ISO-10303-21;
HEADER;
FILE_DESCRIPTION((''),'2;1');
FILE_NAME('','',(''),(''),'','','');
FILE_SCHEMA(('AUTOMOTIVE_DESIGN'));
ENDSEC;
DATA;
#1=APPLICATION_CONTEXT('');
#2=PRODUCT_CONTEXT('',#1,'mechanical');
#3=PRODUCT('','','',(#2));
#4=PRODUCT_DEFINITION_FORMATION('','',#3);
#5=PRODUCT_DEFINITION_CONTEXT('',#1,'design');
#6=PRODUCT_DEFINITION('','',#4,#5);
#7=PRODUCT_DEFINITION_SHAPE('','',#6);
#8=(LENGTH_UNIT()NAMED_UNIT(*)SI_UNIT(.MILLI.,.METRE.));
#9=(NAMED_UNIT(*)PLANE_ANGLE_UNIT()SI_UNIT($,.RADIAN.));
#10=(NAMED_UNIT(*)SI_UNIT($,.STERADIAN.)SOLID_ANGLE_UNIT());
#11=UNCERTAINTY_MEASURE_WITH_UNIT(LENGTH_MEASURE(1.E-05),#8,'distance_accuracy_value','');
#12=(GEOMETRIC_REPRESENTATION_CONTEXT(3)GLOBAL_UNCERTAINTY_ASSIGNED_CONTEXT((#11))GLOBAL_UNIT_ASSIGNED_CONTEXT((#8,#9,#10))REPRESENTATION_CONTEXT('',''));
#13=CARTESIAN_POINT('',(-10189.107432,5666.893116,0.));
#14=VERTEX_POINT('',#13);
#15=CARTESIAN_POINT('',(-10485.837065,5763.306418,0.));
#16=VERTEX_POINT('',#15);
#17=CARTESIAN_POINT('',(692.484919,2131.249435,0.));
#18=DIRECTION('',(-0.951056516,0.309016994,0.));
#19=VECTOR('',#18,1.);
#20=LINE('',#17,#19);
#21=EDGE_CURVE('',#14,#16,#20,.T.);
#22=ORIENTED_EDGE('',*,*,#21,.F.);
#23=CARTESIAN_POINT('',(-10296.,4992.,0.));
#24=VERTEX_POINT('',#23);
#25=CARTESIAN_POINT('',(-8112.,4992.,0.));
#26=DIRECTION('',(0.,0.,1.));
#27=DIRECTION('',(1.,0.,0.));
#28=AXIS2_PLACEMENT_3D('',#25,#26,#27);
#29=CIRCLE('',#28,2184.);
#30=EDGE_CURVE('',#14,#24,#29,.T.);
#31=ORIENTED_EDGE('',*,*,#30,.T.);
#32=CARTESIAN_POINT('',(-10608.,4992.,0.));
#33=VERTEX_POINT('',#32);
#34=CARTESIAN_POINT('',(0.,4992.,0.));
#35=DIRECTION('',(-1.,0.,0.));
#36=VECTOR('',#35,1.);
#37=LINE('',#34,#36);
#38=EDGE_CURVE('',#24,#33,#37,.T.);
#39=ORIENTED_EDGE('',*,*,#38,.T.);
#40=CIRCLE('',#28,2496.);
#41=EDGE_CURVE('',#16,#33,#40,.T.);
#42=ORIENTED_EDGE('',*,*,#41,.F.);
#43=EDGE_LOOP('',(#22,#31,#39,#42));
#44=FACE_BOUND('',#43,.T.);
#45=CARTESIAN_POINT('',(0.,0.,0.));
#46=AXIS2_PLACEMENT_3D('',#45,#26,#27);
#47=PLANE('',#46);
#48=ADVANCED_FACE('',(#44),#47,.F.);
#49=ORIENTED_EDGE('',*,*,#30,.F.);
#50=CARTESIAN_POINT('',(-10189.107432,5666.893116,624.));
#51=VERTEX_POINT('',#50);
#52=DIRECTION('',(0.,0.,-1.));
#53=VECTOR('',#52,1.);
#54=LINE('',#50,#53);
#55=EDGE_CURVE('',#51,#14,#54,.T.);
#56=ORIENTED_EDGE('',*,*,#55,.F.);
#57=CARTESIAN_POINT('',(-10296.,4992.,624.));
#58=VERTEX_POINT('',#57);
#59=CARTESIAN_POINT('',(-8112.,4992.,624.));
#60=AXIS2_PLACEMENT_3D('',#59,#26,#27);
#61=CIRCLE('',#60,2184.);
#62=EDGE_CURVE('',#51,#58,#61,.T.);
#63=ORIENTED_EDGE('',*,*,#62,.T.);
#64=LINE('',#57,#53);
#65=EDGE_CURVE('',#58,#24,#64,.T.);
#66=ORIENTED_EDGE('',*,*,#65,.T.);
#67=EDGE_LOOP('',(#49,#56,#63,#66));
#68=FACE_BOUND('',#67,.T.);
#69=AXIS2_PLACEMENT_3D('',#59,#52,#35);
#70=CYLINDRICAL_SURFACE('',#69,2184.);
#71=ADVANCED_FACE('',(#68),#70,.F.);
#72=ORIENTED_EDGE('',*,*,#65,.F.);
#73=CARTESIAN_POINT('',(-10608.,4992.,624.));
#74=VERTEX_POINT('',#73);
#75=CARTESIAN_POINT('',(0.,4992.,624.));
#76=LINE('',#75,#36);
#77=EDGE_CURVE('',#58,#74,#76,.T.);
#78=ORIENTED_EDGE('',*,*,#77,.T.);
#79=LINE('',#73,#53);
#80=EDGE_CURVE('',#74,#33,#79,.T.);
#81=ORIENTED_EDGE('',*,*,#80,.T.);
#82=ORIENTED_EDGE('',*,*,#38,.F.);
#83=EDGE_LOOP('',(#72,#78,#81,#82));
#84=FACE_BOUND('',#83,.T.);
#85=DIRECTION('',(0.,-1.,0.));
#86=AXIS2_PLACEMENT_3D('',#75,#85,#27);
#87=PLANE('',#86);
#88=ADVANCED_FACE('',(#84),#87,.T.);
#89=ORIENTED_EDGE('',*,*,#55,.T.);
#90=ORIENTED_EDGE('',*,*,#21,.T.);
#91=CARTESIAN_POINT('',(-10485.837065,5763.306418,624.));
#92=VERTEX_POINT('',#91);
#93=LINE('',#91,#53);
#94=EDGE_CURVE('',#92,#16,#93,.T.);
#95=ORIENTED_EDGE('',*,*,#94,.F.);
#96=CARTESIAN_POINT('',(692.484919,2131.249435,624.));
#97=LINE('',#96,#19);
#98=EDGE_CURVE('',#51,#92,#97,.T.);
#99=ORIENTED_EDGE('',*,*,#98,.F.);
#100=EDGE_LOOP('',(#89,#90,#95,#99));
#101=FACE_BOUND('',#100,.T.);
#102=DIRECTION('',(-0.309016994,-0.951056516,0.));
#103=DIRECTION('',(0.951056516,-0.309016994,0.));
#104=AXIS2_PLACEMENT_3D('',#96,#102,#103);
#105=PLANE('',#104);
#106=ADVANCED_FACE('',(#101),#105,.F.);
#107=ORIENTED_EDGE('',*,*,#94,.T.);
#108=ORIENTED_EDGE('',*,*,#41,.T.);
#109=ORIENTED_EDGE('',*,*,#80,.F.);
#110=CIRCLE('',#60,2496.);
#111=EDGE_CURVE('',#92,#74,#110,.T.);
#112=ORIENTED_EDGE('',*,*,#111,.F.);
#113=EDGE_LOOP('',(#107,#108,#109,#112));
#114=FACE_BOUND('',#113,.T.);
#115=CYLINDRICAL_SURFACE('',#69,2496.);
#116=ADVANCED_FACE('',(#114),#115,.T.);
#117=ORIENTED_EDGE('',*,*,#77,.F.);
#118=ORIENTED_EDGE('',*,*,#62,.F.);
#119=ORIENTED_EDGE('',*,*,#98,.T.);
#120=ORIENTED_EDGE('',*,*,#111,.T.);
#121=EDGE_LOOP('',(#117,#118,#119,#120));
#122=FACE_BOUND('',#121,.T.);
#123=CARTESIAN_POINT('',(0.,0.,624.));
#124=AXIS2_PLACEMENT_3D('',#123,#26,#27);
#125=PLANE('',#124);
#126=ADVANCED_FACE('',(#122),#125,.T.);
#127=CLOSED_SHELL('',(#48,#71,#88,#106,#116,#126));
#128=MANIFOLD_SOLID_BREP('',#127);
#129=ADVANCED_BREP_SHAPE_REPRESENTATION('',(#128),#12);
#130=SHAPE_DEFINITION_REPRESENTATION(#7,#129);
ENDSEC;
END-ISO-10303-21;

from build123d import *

# Parameters (mm, degrees)
EXTRUDE_1_DEPTH = 480
SCALE_1_SCALE   = 1.3


with BuildPart() as part:
    # 草图1 → 凸台-拉伸1 (new body)
    with BuildSketch(Plane.XY):
        with BuildLine():
            Line((-8160, 3840), (-7920, 3840))
            ThreePointArc((-7920, 3840), (-7899.3164122, 4102.809901268), (-7837.774947376, 4359.14855055))
            Line((-7837.774947376, 4359.14855055), (-8066.028511287, 4433.3126292))
            ThreePointArc((-8066.028511287, 4433.3126292), (-8091.25000196, 4349.188992657), (-8112.598195022, 4264))
            ThreePointArc((-8112.598195022, 4264), (-8148.112750133, 4053.320727495), (-8160, 3840))
        make_face()
    extrude(amount=EXTRUDE_1_DEPTH)


with BuildPart() as part_1:
    # 缩放比例1: scaled about (0, 0, 0)
    add(part.part.scale(SCALE_1_SCALE))


solid = part_1.part
